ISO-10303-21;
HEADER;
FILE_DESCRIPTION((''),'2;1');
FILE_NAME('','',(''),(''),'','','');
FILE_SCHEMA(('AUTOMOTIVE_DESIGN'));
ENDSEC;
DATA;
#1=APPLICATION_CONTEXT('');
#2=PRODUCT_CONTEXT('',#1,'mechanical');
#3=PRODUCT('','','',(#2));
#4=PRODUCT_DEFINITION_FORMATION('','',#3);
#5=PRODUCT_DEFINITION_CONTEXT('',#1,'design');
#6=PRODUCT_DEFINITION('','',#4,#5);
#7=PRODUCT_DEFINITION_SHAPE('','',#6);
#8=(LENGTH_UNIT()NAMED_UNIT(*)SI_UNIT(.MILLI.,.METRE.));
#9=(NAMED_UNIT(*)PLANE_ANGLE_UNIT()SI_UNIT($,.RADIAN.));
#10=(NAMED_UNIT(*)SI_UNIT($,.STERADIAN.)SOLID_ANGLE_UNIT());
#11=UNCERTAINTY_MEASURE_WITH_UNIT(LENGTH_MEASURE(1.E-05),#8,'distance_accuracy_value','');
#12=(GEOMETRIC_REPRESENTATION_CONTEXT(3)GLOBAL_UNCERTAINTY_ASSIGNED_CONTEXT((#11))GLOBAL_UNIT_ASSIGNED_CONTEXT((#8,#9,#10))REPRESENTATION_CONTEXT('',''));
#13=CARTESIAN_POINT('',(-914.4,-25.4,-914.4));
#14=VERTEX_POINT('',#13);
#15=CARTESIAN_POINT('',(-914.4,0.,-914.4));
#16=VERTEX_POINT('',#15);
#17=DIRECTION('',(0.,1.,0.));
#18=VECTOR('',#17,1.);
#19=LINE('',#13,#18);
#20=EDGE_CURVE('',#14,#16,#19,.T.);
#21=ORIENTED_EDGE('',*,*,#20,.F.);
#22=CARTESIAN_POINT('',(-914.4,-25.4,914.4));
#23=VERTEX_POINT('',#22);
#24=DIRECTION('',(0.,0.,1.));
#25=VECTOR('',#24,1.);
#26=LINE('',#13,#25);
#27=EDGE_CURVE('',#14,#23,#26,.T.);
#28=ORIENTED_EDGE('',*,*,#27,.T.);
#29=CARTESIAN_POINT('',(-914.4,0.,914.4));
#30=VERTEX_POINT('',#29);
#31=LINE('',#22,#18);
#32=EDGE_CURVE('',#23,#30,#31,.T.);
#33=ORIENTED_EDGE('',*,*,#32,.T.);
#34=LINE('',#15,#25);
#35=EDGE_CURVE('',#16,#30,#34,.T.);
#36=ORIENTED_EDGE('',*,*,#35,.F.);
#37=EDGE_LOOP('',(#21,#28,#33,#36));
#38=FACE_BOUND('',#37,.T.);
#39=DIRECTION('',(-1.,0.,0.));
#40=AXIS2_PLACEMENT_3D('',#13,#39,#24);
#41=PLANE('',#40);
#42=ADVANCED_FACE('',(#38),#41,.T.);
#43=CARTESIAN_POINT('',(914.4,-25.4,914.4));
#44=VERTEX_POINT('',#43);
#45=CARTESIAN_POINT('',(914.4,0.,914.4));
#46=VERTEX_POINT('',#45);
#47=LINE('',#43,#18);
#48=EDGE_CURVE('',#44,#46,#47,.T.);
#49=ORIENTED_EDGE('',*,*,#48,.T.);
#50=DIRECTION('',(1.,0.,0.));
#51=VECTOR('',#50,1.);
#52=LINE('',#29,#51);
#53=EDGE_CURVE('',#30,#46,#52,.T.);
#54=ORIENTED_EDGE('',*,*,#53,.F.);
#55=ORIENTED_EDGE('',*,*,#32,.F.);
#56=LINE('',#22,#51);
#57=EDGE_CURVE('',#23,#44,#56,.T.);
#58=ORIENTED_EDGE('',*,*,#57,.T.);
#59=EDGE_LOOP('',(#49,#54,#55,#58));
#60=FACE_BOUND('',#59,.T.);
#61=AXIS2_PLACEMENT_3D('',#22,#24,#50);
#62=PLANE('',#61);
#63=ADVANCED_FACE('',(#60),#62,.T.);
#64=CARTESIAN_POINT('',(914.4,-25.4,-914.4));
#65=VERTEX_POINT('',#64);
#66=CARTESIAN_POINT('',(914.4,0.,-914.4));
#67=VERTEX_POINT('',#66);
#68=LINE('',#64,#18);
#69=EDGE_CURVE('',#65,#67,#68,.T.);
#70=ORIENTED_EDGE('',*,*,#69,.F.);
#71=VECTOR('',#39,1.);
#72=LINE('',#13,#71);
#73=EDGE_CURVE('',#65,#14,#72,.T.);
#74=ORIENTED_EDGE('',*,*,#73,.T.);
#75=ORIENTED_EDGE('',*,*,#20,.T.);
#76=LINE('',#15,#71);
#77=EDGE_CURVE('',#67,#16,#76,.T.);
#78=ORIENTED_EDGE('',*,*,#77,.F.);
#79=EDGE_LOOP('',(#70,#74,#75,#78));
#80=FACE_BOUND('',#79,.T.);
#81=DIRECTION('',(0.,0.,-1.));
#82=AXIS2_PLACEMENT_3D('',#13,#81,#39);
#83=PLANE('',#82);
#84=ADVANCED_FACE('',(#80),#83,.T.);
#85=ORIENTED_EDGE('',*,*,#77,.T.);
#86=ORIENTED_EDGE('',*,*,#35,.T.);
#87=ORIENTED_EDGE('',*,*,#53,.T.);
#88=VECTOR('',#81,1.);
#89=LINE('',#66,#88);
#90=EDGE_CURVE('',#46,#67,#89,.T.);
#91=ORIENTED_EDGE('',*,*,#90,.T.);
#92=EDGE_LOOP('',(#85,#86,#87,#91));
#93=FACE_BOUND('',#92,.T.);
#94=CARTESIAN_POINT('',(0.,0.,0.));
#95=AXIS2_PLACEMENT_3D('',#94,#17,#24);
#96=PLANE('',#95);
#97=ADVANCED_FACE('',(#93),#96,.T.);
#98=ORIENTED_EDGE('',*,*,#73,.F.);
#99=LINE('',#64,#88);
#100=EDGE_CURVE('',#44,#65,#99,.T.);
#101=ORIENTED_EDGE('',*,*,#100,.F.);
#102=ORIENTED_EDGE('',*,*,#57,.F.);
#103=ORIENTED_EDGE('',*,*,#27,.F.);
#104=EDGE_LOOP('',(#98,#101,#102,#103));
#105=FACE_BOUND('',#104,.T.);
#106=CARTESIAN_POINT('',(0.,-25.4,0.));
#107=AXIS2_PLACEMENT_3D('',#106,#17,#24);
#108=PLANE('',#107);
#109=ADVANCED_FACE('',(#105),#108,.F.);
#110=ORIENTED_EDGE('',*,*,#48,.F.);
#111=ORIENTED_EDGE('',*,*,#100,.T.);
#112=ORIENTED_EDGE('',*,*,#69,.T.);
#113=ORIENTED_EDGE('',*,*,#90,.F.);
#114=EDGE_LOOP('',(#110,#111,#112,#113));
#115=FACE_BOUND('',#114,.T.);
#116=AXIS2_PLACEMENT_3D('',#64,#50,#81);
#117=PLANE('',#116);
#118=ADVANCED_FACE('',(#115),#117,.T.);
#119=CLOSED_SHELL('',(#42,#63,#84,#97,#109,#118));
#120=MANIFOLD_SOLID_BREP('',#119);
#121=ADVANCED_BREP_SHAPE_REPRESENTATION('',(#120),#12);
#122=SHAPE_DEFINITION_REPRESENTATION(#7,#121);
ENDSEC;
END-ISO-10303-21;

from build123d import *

# Parameters (mm, degrees)
SKETCH1_W           = 1828.8
SKETCH1_H           = 1828.8
BOSS_EXTRUDE1_DEPTH = 25.4


with BuildPart() as part:
    # Sketch1 → Boss-Extrude1 (new body)
    with BuildSketch(Plane(origin=(0, 0, 0), x_dir=(1, 0, 0), z_dir=(0, 1, 0))):
        Rectangle(SKETCH1_W, SKETCH1_H)
    extrude(amount=-BOSS_EXTRUDE1_DEPTH)


solid = part.part
